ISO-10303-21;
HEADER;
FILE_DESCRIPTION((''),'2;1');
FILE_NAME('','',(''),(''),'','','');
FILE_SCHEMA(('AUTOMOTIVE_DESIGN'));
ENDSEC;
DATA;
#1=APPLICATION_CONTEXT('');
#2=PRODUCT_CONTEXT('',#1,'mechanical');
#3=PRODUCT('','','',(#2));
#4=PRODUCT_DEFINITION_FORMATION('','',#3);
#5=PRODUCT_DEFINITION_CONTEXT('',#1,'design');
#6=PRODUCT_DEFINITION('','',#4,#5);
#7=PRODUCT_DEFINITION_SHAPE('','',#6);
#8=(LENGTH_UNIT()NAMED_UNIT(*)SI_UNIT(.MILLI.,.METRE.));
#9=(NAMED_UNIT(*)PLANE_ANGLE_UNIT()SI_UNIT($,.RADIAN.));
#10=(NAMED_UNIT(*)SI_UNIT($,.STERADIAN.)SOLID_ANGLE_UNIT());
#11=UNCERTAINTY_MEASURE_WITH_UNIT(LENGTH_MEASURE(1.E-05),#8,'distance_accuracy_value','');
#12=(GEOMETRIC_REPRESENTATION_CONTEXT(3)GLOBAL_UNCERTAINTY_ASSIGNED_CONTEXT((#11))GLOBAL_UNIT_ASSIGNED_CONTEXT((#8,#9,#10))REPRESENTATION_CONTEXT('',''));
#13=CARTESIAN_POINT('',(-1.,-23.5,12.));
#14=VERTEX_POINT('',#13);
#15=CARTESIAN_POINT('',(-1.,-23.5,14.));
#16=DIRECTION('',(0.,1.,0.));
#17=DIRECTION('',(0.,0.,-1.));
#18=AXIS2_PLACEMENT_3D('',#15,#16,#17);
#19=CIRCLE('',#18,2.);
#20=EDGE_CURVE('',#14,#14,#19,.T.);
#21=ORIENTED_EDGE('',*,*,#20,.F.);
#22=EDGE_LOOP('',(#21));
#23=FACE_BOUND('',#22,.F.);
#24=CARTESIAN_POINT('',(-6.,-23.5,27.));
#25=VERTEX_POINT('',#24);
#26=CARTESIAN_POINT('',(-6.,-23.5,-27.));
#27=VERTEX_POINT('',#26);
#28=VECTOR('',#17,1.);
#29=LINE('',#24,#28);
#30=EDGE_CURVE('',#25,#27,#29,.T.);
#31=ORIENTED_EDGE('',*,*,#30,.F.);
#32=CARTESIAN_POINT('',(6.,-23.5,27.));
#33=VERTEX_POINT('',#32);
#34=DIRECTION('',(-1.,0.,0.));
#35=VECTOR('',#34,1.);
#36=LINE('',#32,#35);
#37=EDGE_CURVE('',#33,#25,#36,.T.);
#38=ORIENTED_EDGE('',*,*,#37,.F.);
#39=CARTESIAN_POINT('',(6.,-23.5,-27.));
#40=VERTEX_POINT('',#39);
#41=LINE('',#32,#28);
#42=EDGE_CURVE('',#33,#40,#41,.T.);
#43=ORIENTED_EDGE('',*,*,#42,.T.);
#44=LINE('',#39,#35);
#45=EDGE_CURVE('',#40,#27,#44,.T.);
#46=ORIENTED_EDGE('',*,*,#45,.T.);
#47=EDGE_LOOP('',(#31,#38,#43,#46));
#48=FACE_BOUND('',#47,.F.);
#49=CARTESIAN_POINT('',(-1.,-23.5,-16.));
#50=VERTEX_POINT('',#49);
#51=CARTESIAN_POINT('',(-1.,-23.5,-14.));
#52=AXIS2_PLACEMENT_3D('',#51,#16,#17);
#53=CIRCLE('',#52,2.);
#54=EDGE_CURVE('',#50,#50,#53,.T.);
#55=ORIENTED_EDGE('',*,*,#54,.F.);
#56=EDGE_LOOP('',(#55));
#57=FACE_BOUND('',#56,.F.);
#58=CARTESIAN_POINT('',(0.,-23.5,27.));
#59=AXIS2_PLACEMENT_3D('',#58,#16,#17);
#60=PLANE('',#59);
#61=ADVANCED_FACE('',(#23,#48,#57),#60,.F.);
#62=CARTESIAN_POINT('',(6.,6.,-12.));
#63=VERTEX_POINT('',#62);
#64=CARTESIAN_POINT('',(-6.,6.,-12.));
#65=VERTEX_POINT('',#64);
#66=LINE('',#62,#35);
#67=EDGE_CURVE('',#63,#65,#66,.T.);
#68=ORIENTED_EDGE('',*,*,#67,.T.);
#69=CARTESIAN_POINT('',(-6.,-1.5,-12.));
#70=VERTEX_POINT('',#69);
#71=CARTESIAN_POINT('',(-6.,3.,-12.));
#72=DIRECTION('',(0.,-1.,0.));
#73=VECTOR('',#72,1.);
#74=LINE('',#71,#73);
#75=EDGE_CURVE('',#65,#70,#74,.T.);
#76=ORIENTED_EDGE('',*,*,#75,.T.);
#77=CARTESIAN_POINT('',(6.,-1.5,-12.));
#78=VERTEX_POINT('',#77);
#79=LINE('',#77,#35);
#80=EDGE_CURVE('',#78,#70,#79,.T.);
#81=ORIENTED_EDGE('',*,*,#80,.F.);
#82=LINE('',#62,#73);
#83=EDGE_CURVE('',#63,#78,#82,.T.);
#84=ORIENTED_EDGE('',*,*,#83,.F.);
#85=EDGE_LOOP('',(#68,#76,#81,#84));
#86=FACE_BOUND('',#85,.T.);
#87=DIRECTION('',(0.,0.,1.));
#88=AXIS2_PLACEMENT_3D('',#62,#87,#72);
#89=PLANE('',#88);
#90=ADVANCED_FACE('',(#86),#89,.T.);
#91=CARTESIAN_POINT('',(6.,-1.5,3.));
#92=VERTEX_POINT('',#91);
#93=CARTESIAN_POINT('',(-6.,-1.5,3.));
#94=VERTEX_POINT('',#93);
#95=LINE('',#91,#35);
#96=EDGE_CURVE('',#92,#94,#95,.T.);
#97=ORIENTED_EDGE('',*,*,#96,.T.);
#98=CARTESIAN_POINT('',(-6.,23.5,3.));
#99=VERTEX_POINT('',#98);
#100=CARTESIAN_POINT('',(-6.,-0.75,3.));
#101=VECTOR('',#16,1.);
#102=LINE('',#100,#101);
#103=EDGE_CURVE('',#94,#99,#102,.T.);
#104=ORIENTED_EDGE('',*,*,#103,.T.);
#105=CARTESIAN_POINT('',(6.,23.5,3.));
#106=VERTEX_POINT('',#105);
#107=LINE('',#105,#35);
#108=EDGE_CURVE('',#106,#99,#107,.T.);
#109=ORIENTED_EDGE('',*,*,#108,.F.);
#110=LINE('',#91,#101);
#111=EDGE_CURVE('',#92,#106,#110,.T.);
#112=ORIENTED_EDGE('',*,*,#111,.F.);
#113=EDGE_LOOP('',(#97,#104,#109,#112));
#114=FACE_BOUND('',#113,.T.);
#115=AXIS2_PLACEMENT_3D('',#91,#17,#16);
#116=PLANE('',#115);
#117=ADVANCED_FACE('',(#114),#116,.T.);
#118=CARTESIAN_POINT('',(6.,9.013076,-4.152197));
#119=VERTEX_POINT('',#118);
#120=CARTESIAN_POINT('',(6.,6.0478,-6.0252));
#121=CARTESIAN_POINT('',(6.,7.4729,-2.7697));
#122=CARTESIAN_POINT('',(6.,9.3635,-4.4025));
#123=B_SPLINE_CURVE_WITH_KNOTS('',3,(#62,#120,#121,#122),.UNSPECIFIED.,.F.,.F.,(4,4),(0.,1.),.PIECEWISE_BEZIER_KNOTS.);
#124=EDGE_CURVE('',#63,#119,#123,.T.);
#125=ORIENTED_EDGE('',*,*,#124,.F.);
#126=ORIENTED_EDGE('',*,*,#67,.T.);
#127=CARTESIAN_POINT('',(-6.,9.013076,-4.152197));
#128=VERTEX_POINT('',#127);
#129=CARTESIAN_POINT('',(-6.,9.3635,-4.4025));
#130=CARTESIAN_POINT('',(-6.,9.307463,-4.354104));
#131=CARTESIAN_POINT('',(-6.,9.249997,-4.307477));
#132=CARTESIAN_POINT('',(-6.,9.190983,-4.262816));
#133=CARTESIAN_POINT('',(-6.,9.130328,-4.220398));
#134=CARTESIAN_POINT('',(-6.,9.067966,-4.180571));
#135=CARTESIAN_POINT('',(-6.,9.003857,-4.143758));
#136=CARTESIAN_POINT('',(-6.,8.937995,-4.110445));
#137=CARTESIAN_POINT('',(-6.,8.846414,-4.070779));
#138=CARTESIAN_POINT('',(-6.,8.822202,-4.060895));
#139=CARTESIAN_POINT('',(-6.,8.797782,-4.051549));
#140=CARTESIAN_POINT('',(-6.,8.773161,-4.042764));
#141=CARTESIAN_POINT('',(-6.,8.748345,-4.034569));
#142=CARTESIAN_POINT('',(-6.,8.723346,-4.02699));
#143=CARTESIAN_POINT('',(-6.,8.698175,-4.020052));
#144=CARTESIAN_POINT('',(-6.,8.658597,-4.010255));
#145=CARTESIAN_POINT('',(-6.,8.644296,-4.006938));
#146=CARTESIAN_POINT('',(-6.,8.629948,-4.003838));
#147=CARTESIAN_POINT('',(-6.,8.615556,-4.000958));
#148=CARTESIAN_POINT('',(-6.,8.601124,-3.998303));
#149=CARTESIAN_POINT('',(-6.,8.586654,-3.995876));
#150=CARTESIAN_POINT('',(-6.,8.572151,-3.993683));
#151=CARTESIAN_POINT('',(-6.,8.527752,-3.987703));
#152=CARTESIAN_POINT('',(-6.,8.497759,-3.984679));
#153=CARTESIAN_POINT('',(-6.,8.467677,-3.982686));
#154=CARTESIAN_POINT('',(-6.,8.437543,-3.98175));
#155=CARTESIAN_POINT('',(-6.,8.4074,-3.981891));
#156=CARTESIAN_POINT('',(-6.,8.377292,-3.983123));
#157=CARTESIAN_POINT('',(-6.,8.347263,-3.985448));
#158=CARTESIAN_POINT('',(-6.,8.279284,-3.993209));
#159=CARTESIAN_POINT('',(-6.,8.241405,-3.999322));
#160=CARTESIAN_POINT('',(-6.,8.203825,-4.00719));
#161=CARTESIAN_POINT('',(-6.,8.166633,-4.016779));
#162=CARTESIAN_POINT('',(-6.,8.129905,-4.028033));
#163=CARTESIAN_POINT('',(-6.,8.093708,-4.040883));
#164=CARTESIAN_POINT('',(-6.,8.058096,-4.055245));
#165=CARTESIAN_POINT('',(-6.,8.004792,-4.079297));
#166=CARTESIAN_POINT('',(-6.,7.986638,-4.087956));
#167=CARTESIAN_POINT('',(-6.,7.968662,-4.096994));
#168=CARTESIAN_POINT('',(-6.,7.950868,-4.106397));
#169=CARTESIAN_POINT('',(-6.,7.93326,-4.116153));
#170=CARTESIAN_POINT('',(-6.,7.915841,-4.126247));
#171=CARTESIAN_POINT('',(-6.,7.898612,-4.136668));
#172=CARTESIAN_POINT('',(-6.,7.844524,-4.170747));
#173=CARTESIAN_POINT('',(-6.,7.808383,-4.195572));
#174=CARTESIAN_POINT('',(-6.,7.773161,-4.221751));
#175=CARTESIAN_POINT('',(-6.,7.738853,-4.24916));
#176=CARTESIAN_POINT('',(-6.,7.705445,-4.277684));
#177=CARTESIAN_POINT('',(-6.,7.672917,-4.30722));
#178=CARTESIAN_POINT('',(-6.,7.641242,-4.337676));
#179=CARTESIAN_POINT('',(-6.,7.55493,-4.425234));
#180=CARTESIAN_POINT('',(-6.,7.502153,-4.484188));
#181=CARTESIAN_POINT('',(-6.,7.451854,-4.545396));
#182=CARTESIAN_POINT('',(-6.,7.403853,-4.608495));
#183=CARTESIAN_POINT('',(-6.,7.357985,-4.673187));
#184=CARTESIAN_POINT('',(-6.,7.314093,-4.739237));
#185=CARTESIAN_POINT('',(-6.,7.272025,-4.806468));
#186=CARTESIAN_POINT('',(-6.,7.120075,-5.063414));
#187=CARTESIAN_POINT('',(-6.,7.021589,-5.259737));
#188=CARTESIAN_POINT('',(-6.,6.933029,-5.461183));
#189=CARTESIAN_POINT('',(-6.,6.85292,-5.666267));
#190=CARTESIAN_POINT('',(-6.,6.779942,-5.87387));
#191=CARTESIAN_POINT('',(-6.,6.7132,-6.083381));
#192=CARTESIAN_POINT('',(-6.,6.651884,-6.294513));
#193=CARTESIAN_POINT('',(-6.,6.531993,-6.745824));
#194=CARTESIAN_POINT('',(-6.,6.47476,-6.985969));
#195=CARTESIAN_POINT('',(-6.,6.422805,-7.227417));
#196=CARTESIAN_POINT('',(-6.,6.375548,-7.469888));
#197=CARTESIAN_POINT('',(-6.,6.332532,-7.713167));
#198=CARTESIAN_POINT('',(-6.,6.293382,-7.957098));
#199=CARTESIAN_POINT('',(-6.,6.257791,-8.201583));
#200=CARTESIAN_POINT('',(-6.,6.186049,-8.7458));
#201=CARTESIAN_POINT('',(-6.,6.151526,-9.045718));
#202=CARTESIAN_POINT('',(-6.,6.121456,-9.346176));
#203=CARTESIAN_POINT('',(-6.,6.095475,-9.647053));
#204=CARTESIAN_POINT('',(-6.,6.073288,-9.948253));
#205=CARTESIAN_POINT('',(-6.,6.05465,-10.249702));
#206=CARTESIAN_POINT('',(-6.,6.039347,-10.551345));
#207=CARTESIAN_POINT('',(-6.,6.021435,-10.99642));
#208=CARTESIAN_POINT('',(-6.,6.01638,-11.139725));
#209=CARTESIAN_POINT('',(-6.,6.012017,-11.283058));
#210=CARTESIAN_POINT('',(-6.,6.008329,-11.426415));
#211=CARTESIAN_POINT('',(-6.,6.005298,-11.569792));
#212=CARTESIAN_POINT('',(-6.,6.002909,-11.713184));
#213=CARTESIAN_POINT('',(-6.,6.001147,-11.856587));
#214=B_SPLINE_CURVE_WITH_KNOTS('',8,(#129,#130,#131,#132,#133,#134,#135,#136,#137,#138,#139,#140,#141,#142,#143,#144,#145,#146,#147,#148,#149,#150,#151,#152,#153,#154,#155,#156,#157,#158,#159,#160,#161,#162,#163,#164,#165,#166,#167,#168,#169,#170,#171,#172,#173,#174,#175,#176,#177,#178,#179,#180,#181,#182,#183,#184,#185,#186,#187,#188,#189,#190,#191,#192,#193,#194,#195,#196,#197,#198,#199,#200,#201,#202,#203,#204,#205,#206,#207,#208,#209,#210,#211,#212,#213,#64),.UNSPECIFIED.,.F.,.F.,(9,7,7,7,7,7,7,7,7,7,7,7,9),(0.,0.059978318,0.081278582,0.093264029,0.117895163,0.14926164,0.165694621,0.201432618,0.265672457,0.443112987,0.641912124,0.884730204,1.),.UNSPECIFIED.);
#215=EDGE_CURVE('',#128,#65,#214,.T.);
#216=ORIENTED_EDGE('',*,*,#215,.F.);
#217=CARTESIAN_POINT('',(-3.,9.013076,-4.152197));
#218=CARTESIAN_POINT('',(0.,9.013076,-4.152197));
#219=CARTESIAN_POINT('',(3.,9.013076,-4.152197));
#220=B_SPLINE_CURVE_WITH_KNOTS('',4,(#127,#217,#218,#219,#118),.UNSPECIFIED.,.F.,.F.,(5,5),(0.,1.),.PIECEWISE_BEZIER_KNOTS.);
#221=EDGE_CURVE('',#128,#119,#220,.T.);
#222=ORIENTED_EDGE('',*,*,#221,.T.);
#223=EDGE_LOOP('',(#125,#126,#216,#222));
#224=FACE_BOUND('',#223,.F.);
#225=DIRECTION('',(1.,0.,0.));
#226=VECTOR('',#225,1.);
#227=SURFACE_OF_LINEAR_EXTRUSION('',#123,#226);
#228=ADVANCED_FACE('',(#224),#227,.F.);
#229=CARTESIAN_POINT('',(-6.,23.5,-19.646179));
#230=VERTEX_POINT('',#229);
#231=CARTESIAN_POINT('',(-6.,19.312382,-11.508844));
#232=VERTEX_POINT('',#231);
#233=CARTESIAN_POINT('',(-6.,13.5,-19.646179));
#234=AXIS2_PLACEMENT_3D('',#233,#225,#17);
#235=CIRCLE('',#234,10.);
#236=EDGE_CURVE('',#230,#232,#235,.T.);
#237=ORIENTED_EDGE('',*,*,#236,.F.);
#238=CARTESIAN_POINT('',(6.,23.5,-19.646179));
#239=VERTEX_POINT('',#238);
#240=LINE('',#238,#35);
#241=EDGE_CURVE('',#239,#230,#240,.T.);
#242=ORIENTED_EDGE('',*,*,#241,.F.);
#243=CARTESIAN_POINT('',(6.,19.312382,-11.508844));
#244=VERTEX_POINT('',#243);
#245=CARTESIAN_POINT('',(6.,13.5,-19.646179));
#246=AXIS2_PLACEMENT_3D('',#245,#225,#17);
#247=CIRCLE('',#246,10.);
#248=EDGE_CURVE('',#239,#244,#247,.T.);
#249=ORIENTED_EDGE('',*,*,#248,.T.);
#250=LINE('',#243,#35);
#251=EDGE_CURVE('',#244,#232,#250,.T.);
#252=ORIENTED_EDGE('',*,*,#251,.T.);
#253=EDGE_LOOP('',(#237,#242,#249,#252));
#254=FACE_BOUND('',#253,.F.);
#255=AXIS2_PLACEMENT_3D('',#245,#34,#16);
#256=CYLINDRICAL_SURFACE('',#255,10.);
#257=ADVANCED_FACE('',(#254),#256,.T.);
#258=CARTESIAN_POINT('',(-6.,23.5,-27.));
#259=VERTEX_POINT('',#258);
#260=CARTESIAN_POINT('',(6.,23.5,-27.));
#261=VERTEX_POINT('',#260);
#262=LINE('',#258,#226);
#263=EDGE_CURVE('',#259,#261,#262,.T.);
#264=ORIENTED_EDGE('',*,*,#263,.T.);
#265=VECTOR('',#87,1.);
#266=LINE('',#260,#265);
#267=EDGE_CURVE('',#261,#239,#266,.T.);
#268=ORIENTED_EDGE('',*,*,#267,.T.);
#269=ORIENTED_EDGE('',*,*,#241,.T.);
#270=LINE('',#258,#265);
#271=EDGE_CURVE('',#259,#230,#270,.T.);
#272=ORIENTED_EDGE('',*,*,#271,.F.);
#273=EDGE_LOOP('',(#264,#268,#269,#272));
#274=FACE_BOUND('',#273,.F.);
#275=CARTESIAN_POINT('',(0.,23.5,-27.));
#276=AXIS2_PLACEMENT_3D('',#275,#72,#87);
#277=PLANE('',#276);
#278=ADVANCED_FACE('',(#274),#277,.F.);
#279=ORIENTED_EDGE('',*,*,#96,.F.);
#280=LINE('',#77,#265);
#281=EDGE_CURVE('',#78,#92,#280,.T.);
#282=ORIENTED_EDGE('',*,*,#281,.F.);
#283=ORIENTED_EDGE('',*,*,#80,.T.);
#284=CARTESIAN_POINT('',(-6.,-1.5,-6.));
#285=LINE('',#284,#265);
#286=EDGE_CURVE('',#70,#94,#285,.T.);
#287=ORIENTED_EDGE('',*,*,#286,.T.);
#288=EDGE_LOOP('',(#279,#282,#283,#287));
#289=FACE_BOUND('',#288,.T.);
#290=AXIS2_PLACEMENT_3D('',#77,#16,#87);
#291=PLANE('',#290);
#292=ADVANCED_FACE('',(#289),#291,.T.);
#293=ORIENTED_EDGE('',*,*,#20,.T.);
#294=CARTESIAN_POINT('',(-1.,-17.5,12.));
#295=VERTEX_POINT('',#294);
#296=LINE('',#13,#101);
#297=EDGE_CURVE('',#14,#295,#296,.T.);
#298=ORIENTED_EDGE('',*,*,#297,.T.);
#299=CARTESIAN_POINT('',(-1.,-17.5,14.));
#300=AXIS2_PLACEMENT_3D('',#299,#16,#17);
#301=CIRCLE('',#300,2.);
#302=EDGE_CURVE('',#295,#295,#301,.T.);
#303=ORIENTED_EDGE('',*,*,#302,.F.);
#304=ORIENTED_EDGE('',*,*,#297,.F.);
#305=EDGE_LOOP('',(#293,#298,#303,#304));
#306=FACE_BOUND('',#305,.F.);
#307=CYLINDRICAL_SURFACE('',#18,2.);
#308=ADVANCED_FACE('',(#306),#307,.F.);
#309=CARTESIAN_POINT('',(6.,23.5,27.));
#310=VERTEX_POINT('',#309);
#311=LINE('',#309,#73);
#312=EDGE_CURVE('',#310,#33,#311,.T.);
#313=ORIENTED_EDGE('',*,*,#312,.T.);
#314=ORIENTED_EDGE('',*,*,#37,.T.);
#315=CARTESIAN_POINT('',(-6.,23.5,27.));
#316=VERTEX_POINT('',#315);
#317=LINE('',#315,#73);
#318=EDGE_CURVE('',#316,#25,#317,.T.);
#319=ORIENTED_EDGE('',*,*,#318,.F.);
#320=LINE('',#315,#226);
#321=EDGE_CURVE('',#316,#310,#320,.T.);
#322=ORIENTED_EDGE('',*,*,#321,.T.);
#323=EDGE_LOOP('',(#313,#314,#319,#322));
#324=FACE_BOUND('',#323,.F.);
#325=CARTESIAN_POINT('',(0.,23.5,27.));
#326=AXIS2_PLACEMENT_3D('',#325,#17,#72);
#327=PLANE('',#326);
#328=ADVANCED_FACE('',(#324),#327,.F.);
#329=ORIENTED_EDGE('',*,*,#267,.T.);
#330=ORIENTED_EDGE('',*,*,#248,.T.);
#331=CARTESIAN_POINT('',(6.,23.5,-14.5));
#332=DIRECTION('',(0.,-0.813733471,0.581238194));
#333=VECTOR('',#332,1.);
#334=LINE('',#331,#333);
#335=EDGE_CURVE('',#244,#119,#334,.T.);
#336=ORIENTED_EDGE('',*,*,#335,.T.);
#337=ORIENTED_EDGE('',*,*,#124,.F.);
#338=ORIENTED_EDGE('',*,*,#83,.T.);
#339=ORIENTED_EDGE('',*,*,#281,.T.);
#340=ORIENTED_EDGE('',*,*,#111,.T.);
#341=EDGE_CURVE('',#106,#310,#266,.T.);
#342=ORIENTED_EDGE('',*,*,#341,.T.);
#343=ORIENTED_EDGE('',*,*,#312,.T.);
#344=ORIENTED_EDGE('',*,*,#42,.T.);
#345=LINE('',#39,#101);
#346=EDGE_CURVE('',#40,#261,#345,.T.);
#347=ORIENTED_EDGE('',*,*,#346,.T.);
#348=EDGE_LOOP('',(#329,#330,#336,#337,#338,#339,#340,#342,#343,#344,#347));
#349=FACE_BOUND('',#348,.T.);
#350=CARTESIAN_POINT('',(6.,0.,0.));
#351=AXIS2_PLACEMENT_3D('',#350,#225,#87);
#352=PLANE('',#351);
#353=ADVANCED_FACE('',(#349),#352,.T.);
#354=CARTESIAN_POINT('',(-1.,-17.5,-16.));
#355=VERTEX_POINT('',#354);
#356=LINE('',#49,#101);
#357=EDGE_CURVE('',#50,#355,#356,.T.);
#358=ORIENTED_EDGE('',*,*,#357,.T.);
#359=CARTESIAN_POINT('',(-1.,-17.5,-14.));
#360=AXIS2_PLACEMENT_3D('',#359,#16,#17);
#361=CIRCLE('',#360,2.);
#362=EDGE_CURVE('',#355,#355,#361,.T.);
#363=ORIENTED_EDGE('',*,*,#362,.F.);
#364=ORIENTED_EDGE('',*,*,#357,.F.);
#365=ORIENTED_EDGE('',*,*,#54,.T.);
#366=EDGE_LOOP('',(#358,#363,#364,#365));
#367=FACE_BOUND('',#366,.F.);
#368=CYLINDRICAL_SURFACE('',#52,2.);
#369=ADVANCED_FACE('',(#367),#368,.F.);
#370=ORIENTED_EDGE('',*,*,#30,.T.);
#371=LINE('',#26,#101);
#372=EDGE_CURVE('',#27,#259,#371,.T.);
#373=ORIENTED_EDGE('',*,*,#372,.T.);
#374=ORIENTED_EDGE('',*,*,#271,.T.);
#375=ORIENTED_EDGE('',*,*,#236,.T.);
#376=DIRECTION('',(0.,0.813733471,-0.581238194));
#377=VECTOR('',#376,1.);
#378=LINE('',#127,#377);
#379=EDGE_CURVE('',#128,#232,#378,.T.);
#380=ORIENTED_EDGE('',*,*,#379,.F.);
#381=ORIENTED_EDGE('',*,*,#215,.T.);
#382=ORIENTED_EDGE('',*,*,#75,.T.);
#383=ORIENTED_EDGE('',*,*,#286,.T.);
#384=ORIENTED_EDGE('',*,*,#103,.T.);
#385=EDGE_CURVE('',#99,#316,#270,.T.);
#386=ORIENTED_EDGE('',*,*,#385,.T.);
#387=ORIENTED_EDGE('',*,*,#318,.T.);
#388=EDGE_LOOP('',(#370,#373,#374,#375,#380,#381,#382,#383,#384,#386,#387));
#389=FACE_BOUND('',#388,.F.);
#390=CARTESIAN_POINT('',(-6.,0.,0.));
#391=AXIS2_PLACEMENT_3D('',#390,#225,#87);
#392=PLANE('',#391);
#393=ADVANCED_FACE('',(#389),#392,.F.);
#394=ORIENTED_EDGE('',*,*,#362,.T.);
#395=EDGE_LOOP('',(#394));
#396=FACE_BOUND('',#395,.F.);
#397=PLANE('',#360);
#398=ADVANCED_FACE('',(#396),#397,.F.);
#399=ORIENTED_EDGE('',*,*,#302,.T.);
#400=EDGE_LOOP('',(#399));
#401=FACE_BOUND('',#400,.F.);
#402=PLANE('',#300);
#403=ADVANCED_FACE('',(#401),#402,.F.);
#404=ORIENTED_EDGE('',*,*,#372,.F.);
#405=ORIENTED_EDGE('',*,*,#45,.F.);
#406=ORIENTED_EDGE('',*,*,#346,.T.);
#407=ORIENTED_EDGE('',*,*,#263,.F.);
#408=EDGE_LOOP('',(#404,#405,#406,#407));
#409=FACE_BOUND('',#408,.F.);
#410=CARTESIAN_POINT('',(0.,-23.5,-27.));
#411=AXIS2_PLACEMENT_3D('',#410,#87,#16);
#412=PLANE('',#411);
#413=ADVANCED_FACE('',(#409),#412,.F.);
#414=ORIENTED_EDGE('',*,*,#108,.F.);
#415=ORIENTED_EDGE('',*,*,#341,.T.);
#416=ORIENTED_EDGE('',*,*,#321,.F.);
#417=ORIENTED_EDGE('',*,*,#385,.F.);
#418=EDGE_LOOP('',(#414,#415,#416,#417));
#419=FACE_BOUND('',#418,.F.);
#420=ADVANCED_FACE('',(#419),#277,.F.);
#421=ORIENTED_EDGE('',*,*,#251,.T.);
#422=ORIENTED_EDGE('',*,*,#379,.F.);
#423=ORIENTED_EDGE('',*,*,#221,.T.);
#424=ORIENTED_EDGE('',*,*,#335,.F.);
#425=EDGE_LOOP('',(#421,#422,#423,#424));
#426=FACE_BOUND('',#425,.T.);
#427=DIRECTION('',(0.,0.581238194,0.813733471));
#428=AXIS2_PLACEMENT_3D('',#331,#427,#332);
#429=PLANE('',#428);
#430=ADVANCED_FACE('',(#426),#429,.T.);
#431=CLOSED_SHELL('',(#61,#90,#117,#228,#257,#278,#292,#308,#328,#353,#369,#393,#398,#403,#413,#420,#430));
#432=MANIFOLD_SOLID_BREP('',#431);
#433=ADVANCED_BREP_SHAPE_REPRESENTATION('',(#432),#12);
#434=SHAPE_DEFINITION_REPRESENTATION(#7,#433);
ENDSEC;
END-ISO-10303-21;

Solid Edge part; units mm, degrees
sketch "Sketch1" plane through (0, 0, 0) normal (1, 0, 0) x (0, 1, 0)
  line L0 (-23.5, -27) -> (23.5, -27)
  line L1 (23.5, -27) -> (23.5, 27)
  line L2 (23.5, 27) -> (-23.5, 27)
  line L3 (-23.5, 27) -> (-23.5, -27)
  dimension "D1" = 54
  dimension "D2" = 47
extrude "Protrusion1" add sketch "Sketch1" along normal mid plane 12
hole "Bohrung_1" at (-1, -23.5, 14) direction (0, 1, 0) diameter 4 depth 6
hole "Hole1" at (-1, -23.5, -14) direction (0, 1, 0) diameter 4 depth 6
sketch "Sketch2" plane through (6, 0, 0) normal (1, 0, 0) x (0, 1, 0)
  line L0 (23.5, -14.5) -> (6, -2)
  line L1 (6, -2) -> (6, -12)
  line L2 (6, -12) -> (-1.5, -12)
  line L3 (-1.5, -12) -> (-1.5, 3)
  line L4 (-1.5, 3) -> (23.5, 3)
  line L5 (23.5, 3) -> (23.5, -14.5)
  dimension "D1" = 25
  dimension "D2" = 7.5
  dimension "D3" = 10
  dimension "D4" = 15
  dimension "D5" = 12.5
  dimension "D6" = 15
extrude "Extrusionsausschnitt_1" cut sketch "Sketch2" against normal blind 135.5146
sketch "Sketch3" plane through (6, 0, 0) normal (1, 0, 0) x (0, 1, 0)
  spline S0 degree 3 poles (6, -12) (6.0478, -6.0252) (7.4729, -2.7697) (9.3635, -4.4025) knots 0 0 0 0 1 1 1 1
  line L0 (9.3635, -4.4025) -> (9.8723, -3.23)
  line L1 (9.8723, -3.23) -> (5.7538, -1.5265)
  line L2 (5.7538, -1.5265) -> (6, -12)
extrude "Extrusionsausschnitt_3" cut sketch "Sketch3" along normal mid plane 89.7467
fillet "Verrundung_1" radius 10 1 edges at (0, 23.5, -14.5)
